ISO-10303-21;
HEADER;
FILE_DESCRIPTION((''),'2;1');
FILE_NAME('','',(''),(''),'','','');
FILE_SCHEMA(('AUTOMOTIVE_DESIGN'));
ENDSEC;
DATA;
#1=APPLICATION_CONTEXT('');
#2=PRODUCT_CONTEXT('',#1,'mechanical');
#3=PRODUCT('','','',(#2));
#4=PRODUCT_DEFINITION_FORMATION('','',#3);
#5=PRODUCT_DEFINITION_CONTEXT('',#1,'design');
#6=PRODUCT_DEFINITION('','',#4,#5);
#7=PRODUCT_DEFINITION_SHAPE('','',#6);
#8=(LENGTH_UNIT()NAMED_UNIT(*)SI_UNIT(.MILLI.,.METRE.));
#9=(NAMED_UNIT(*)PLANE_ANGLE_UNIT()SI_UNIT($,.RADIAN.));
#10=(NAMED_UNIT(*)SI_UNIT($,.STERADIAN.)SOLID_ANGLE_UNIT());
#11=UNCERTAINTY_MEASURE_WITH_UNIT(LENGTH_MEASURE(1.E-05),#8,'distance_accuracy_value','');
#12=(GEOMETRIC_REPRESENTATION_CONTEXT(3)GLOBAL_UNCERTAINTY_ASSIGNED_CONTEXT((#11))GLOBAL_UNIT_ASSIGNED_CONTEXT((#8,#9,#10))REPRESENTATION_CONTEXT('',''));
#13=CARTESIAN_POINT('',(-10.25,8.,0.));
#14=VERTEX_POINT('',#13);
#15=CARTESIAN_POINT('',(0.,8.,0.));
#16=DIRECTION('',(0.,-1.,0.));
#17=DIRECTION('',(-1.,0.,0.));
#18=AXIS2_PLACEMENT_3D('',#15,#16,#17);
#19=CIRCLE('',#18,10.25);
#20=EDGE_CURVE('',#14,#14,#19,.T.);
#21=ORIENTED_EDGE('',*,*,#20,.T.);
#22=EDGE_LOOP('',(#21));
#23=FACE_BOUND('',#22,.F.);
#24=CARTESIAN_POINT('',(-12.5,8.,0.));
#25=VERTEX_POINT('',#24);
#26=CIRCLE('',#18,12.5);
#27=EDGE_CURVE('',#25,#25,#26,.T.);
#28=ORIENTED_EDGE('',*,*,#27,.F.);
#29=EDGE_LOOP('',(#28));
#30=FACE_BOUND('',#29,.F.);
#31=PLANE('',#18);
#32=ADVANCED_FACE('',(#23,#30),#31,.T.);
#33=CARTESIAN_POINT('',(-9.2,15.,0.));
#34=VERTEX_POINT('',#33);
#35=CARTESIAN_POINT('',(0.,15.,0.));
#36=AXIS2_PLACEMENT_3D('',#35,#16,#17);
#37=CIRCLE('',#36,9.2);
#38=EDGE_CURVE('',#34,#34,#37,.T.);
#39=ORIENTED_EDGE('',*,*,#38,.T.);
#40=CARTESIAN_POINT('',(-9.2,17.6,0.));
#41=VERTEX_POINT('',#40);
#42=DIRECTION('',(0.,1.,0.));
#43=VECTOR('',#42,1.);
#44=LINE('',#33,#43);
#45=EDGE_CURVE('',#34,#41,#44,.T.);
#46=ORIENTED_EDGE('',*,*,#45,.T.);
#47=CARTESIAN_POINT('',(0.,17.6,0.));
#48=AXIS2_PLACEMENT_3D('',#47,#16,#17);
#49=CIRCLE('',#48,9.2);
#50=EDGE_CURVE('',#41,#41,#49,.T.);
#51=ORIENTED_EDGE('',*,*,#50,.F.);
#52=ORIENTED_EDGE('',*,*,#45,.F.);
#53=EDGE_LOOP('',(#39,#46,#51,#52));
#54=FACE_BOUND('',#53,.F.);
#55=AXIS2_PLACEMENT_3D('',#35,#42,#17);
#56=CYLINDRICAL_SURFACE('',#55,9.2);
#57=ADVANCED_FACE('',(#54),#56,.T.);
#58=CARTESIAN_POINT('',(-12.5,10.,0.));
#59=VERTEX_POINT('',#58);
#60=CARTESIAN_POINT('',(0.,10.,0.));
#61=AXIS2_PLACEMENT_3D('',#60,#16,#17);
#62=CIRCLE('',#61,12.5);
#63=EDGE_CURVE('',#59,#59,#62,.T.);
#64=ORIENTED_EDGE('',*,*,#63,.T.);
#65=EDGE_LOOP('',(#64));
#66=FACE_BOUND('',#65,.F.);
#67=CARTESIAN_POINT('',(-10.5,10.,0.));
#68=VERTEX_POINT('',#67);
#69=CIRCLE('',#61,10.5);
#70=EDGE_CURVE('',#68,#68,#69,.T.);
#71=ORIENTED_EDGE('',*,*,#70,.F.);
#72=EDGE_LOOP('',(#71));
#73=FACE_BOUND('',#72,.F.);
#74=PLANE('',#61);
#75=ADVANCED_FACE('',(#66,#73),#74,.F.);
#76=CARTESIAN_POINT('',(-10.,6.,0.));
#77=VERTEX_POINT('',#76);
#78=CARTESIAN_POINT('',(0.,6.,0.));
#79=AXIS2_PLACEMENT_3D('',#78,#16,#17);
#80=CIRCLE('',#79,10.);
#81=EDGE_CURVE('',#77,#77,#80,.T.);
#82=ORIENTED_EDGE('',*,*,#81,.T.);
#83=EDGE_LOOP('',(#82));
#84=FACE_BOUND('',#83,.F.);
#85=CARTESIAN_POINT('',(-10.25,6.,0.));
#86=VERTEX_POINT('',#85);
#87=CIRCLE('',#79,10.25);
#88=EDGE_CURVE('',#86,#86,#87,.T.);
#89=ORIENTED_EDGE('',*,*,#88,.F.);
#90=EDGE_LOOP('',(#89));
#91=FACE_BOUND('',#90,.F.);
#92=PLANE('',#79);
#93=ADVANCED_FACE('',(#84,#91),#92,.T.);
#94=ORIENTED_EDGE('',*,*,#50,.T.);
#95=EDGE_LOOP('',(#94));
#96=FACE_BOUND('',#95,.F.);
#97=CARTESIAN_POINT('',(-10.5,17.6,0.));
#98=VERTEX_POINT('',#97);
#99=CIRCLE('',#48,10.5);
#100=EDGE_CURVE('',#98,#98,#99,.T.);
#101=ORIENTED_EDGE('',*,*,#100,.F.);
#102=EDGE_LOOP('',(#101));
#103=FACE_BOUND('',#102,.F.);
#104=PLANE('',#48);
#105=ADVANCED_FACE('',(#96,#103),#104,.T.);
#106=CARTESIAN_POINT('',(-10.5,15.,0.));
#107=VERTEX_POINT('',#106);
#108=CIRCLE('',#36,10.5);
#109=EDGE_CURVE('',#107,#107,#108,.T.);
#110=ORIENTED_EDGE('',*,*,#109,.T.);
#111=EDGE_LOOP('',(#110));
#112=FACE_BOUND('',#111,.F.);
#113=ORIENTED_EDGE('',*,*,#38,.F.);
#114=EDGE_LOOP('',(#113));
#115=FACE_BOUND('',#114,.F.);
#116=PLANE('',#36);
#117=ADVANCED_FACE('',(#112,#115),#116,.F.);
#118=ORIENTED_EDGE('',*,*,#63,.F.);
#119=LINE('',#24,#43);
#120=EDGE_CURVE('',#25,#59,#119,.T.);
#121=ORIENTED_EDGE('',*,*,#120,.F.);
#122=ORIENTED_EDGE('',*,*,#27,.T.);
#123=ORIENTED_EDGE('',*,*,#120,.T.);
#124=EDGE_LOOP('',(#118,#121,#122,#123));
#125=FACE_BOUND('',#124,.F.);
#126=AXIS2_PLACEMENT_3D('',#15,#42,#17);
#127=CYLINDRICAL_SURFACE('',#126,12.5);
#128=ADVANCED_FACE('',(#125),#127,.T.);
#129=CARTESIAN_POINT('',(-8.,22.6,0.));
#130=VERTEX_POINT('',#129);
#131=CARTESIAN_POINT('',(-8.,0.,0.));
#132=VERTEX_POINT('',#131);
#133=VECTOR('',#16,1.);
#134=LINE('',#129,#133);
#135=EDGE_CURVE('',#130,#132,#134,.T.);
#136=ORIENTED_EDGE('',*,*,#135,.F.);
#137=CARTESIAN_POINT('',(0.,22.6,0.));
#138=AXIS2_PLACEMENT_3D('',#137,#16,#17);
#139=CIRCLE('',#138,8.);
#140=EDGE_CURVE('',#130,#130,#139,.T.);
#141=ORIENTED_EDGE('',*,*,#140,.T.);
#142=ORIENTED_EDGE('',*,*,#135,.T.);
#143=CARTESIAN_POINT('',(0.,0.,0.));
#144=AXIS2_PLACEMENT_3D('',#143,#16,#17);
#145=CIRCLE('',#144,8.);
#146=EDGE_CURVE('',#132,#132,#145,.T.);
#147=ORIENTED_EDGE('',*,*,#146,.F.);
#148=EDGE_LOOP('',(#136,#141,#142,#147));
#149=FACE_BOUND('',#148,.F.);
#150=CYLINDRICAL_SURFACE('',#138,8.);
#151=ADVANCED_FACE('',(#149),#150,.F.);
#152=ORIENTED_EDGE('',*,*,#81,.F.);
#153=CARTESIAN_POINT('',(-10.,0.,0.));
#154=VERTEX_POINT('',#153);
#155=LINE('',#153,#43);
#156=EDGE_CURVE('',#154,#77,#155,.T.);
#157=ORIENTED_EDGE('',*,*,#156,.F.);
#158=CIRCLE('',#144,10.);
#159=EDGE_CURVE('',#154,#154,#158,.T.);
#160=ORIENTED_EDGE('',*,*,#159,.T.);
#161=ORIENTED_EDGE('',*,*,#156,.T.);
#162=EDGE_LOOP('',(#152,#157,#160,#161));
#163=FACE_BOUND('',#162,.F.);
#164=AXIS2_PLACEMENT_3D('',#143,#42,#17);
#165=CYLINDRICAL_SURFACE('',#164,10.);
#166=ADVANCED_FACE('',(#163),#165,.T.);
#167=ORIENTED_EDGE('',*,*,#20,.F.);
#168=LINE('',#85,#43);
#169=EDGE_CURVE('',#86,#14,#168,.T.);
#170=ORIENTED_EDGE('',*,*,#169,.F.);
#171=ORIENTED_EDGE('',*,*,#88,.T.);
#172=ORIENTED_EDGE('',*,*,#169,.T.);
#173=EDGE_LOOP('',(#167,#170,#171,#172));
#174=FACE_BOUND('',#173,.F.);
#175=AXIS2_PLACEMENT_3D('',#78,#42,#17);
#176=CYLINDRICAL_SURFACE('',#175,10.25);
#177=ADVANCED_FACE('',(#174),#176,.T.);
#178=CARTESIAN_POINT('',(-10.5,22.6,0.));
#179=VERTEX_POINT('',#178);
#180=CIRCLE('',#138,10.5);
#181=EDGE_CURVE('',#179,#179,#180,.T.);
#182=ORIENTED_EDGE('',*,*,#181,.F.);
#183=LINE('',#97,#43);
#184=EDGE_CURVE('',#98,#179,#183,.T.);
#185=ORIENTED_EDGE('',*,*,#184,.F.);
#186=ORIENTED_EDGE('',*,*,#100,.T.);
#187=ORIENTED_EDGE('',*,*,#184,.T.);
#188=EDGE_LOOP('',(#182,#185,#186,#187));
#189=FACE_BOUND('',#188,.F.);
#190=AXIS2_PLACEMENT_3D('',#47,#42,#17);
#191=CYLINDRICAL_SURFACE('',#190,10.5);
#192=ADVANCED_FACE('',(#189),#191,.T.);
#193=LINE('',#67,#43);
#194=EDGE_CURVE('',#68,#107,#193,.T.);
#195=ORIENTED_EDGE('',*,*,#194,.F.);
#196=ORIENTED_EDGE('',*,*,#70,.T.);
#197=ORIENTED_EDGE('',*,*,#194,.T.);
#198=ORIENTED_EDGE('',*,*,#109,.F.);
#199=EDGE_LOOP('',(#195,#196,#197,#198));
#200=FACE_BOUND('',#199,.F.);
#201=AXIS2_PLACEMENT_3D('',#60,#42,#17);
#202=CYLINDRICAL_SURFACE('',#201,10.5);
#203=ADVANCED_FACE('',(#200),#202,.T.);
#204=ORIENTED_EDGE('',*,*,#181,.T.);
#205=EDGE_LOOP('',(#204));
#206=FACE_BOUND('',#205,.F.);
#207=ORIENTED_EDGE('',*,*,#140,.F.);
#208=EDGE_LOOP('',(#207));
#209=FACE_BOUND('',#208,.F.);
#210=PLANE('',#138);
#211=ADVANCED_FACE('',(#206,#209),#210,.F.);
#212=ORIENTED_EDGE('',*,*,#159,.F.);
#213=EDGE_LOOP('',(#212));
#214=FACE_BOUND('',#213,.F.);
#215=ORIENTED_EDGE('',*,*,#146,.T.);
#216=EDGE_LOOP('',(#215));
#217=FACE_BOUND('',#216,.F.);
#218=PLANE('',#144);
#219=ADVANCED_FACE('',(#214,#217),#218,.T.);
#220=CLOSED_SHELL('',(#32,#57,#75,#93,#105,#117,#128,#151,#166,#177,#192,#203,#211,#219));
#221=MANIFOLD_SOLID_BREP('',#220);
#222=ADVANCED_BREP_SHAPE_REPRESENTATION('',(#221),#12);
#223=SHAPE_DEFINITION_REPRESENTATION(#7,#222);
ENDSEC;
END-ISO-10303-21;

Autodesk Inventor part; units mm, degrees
ref_plane "YZ Plane" through (0, 0, 0) normal (1, 0, 0) x (0, 1, 0)
ref_plane "XZ Plane" through (0, 0, 0) normal (0, 1, 0) x (-1, 0, 0)
ref_plane "XY Plane" through (0, 0, 0) normal (0, 0, 1) x (1, 0, 0)
sketch "Sketch3" plane through (0, 0, 0) normal (0, 0, 1) x (1, 0, 0)
  line L0 (0, 0) -> (-10, 0)
  line L1 (-10, 0) -> (-10, 6)
  line L2 (-10, 6) -> (-10.25, 6)
  line L3 (-10.25, 6) -> (-10.25, 8)
  line L4 (-10.25, 8) -> (-12.5, 8)
  line L5 (-12.5, 8) -> (-12.5, 10)
  line L6 (-12.5, 10) -> (-10.5, 10)
  line L7 (-10.5, 10) -> (-10.5, 15)
  line L8 (-10.5, 15) -> (-9.2, 15)
  line L9 (-9.2, 15) -> (-9.2, 17.6)
  line L10 (-9.2, 17.6) -> (-10.5, 17.6)
  line L11 (-10.5, 17.6) -> (-10.5, 22.6)
  line L12 (-10.5, 22.6) -> (0, 22.6)
  line L13 (0, 22.6) -> (0, 0)
  line L14 (0, 22.6) -> (-8, 22.6)
  line L15 (-8, 22.6) -> (-8, 0)
  dimension "d23" = 10
  dimension "d24" = 6
  dimension "d25" = 0.25
  dimension "d26" = 2
  dimension "d27" = 2.25
  dimension "d28" = 2
  dimension "d29" = 2
  dimension "d30" = 5
  dimension "d31" = 1.3
  dimension "d32" = 2.6
  dimension "d33" = 5
  dimension "d34" = 8
revolve "Revolution2" add sketch "Sketch3" angle 360 about axis through (0, 22.6, 0) along (0, -1, 0) contours L0 L1 L2 L3 L4 L5 L6 L7 L8 L9 L10 L11 L12 L15
thread "Thread3" size "M20x2" class "6g" standard "ANSI Metric M Profile" full length
properties part number "Corrugated-top connector" material "Polypropylene"
